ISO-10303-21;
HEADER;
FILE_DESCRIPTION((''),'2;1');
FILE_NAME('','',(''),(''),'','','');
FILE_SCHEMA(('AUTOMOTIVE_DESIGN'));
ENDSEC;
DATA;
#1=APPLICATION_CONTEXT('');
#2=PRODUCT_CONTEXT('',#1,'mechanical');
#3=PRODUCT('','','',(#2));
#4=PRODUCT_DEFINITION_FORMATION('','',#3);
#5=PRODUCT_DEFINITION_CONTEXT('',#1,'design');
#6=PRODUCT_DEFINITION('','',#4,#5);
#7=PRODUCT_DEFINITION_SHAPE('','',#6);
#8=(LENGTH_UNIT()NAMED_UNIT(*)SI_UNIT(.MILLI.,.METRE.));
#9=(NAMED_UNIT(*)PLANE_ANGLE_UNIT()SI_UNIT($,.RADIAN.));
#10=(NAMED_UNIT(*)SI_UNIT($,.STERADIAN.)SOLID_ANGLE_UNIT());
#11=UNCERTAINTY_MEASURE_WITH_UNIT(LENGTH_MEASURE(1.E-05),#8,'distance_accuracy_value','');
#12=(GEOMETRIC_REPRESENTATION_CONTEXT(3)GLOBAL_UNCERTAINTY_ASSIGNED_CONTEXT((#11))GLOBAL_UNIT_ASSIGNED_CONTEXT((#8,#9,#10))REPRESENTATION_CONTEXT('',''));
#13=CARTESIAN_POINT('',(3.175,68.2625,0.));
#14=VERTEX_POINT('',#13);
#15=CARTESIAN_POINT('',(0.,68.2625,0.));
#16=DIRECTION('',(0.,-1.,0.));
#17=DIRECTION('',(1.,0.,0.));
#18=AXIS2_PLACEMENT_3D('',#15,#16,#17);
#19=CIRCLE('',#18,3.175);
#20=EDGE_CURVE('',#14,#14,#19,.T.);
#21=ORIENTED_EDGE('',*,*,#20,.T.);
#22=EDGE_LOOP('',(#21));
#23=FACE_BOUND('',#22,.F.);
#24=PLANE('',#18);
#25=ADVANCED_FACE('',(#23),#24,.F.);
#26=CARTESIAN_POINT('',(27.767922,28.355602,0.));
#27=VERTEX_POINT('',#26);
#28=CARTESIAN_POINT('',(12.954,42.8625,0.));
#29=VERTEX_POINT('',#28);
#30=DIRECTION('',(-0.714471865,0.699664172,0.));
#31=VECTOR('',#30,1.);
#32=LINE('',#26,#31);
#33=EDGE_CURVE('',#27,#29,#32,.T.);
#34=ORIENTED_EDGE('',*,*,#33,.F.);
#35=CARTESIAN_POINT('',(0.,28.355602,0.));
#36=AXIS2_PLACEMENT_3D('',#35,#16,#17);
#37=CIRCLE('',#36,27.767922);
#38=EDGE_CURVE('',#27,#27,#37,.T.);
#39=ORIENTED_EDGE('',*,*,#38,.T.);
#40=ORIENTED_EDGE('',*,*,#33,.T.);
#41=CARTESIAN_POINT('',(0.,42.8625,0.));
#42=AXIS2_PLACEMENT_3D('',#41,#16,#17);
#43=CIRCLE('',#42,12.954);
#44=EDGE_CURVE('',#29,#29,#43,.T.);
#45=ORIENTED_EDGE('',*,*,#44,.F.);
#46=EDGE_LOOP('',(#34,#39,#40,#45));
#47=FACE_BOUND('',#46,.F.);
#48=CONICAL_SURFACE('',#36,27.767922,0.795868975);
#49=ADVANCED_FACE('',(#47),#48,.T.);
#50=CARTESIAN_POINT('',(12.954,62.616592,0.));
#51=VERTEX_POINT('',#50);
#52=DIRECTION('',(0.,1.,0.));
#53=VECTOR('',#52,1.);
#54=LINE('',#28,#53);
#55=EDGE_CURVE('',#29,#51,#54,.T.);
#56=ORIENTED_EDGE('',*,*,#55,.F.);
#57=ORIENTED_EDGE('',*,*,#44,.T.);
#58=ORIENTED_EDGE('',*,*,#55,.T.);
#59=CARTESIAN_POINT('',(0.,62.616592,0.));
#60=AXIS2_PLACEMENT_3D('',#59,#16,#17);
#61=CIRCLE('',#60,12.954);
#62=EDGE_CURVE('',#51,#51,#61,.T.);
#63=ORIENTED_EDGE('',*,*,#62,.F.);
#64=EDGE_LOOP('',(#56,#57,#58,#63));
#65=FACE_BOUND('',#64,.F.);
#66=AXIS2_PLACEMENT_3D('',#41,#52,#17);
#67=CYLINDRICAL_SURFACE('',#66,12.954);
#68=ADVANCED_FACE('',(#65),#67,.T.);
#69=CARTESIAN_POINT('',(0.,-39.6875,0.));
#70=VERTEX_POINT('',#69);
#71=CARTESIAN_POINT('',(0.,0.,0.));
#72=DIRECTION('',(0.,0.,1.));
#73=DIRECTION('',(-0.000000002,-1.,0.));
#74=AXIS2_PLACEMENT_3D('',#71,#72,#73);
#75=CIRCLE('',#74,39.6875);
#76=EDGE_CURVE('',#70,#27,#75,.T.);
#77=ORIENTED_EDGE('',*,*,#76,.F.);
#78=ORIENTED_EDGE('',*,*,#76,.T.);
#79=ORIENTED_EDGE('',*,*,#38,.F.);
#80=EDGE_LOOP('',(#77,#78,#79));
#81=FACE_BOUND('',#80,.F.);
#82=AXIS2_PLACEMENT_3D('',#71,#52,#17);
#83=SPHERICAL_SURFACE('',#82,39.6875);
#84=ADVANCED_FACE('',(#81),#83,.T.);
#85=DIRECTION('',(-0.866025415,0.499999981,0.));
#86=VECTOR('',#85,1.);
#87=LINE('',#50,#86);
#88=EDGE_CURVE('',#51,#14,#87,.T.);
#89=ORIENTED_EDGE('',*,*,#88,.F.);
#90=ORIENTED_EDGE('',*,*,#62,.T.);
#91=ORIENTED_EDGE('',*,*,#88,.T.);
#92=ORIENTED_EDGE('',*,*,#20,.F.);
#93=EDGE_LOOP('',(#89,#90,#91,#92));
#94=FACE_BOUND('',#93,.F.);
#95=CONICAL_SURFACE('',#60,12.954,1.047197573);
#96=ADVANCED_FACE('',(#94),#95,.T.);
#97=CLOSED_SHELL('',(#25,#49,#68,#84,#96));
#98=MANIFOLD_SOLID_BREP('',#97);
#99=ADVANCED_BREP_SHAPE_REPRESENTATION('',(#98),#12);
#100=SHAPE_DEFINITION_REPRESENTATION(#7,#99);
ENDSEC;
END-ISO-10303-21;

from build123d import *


with BuildPart() as f1:
    # F0 (on Top) → F1 (revolve)
    with BuildSketch(Plane.XY):
        with BuildLine():
            Line((0, 39.6875), (0, -39.6875))
            ThreePointArc((0, -39.6875), (36.74548, -14.995578), (27.767922, 28.355602))
            ThreePointArc((27.767922, 28.355602), (14.995578, 36.74548), (0, 39.6875))
        make_face()
        with BuildLine():
            ThreePointArc((0, 39.6875), (14.995578, 36.74548), (27.767922, 28.355602))
            Line((27.767922, 28.355602), (12.954, 42.8625))
            Line((12.954, 42.8625), (12.954, 62.616592))
            Line((12.954, 62.616592), (3.175, 68.2625))
            Line((3.175, 68.2625), (0, 68.2625))
            Line((0, 68.2625), (0, 39.6875))
        make_face()
    revolve(axis=Axis((0, 0, 0), (0, -1, 0)))


solid = f1.part
